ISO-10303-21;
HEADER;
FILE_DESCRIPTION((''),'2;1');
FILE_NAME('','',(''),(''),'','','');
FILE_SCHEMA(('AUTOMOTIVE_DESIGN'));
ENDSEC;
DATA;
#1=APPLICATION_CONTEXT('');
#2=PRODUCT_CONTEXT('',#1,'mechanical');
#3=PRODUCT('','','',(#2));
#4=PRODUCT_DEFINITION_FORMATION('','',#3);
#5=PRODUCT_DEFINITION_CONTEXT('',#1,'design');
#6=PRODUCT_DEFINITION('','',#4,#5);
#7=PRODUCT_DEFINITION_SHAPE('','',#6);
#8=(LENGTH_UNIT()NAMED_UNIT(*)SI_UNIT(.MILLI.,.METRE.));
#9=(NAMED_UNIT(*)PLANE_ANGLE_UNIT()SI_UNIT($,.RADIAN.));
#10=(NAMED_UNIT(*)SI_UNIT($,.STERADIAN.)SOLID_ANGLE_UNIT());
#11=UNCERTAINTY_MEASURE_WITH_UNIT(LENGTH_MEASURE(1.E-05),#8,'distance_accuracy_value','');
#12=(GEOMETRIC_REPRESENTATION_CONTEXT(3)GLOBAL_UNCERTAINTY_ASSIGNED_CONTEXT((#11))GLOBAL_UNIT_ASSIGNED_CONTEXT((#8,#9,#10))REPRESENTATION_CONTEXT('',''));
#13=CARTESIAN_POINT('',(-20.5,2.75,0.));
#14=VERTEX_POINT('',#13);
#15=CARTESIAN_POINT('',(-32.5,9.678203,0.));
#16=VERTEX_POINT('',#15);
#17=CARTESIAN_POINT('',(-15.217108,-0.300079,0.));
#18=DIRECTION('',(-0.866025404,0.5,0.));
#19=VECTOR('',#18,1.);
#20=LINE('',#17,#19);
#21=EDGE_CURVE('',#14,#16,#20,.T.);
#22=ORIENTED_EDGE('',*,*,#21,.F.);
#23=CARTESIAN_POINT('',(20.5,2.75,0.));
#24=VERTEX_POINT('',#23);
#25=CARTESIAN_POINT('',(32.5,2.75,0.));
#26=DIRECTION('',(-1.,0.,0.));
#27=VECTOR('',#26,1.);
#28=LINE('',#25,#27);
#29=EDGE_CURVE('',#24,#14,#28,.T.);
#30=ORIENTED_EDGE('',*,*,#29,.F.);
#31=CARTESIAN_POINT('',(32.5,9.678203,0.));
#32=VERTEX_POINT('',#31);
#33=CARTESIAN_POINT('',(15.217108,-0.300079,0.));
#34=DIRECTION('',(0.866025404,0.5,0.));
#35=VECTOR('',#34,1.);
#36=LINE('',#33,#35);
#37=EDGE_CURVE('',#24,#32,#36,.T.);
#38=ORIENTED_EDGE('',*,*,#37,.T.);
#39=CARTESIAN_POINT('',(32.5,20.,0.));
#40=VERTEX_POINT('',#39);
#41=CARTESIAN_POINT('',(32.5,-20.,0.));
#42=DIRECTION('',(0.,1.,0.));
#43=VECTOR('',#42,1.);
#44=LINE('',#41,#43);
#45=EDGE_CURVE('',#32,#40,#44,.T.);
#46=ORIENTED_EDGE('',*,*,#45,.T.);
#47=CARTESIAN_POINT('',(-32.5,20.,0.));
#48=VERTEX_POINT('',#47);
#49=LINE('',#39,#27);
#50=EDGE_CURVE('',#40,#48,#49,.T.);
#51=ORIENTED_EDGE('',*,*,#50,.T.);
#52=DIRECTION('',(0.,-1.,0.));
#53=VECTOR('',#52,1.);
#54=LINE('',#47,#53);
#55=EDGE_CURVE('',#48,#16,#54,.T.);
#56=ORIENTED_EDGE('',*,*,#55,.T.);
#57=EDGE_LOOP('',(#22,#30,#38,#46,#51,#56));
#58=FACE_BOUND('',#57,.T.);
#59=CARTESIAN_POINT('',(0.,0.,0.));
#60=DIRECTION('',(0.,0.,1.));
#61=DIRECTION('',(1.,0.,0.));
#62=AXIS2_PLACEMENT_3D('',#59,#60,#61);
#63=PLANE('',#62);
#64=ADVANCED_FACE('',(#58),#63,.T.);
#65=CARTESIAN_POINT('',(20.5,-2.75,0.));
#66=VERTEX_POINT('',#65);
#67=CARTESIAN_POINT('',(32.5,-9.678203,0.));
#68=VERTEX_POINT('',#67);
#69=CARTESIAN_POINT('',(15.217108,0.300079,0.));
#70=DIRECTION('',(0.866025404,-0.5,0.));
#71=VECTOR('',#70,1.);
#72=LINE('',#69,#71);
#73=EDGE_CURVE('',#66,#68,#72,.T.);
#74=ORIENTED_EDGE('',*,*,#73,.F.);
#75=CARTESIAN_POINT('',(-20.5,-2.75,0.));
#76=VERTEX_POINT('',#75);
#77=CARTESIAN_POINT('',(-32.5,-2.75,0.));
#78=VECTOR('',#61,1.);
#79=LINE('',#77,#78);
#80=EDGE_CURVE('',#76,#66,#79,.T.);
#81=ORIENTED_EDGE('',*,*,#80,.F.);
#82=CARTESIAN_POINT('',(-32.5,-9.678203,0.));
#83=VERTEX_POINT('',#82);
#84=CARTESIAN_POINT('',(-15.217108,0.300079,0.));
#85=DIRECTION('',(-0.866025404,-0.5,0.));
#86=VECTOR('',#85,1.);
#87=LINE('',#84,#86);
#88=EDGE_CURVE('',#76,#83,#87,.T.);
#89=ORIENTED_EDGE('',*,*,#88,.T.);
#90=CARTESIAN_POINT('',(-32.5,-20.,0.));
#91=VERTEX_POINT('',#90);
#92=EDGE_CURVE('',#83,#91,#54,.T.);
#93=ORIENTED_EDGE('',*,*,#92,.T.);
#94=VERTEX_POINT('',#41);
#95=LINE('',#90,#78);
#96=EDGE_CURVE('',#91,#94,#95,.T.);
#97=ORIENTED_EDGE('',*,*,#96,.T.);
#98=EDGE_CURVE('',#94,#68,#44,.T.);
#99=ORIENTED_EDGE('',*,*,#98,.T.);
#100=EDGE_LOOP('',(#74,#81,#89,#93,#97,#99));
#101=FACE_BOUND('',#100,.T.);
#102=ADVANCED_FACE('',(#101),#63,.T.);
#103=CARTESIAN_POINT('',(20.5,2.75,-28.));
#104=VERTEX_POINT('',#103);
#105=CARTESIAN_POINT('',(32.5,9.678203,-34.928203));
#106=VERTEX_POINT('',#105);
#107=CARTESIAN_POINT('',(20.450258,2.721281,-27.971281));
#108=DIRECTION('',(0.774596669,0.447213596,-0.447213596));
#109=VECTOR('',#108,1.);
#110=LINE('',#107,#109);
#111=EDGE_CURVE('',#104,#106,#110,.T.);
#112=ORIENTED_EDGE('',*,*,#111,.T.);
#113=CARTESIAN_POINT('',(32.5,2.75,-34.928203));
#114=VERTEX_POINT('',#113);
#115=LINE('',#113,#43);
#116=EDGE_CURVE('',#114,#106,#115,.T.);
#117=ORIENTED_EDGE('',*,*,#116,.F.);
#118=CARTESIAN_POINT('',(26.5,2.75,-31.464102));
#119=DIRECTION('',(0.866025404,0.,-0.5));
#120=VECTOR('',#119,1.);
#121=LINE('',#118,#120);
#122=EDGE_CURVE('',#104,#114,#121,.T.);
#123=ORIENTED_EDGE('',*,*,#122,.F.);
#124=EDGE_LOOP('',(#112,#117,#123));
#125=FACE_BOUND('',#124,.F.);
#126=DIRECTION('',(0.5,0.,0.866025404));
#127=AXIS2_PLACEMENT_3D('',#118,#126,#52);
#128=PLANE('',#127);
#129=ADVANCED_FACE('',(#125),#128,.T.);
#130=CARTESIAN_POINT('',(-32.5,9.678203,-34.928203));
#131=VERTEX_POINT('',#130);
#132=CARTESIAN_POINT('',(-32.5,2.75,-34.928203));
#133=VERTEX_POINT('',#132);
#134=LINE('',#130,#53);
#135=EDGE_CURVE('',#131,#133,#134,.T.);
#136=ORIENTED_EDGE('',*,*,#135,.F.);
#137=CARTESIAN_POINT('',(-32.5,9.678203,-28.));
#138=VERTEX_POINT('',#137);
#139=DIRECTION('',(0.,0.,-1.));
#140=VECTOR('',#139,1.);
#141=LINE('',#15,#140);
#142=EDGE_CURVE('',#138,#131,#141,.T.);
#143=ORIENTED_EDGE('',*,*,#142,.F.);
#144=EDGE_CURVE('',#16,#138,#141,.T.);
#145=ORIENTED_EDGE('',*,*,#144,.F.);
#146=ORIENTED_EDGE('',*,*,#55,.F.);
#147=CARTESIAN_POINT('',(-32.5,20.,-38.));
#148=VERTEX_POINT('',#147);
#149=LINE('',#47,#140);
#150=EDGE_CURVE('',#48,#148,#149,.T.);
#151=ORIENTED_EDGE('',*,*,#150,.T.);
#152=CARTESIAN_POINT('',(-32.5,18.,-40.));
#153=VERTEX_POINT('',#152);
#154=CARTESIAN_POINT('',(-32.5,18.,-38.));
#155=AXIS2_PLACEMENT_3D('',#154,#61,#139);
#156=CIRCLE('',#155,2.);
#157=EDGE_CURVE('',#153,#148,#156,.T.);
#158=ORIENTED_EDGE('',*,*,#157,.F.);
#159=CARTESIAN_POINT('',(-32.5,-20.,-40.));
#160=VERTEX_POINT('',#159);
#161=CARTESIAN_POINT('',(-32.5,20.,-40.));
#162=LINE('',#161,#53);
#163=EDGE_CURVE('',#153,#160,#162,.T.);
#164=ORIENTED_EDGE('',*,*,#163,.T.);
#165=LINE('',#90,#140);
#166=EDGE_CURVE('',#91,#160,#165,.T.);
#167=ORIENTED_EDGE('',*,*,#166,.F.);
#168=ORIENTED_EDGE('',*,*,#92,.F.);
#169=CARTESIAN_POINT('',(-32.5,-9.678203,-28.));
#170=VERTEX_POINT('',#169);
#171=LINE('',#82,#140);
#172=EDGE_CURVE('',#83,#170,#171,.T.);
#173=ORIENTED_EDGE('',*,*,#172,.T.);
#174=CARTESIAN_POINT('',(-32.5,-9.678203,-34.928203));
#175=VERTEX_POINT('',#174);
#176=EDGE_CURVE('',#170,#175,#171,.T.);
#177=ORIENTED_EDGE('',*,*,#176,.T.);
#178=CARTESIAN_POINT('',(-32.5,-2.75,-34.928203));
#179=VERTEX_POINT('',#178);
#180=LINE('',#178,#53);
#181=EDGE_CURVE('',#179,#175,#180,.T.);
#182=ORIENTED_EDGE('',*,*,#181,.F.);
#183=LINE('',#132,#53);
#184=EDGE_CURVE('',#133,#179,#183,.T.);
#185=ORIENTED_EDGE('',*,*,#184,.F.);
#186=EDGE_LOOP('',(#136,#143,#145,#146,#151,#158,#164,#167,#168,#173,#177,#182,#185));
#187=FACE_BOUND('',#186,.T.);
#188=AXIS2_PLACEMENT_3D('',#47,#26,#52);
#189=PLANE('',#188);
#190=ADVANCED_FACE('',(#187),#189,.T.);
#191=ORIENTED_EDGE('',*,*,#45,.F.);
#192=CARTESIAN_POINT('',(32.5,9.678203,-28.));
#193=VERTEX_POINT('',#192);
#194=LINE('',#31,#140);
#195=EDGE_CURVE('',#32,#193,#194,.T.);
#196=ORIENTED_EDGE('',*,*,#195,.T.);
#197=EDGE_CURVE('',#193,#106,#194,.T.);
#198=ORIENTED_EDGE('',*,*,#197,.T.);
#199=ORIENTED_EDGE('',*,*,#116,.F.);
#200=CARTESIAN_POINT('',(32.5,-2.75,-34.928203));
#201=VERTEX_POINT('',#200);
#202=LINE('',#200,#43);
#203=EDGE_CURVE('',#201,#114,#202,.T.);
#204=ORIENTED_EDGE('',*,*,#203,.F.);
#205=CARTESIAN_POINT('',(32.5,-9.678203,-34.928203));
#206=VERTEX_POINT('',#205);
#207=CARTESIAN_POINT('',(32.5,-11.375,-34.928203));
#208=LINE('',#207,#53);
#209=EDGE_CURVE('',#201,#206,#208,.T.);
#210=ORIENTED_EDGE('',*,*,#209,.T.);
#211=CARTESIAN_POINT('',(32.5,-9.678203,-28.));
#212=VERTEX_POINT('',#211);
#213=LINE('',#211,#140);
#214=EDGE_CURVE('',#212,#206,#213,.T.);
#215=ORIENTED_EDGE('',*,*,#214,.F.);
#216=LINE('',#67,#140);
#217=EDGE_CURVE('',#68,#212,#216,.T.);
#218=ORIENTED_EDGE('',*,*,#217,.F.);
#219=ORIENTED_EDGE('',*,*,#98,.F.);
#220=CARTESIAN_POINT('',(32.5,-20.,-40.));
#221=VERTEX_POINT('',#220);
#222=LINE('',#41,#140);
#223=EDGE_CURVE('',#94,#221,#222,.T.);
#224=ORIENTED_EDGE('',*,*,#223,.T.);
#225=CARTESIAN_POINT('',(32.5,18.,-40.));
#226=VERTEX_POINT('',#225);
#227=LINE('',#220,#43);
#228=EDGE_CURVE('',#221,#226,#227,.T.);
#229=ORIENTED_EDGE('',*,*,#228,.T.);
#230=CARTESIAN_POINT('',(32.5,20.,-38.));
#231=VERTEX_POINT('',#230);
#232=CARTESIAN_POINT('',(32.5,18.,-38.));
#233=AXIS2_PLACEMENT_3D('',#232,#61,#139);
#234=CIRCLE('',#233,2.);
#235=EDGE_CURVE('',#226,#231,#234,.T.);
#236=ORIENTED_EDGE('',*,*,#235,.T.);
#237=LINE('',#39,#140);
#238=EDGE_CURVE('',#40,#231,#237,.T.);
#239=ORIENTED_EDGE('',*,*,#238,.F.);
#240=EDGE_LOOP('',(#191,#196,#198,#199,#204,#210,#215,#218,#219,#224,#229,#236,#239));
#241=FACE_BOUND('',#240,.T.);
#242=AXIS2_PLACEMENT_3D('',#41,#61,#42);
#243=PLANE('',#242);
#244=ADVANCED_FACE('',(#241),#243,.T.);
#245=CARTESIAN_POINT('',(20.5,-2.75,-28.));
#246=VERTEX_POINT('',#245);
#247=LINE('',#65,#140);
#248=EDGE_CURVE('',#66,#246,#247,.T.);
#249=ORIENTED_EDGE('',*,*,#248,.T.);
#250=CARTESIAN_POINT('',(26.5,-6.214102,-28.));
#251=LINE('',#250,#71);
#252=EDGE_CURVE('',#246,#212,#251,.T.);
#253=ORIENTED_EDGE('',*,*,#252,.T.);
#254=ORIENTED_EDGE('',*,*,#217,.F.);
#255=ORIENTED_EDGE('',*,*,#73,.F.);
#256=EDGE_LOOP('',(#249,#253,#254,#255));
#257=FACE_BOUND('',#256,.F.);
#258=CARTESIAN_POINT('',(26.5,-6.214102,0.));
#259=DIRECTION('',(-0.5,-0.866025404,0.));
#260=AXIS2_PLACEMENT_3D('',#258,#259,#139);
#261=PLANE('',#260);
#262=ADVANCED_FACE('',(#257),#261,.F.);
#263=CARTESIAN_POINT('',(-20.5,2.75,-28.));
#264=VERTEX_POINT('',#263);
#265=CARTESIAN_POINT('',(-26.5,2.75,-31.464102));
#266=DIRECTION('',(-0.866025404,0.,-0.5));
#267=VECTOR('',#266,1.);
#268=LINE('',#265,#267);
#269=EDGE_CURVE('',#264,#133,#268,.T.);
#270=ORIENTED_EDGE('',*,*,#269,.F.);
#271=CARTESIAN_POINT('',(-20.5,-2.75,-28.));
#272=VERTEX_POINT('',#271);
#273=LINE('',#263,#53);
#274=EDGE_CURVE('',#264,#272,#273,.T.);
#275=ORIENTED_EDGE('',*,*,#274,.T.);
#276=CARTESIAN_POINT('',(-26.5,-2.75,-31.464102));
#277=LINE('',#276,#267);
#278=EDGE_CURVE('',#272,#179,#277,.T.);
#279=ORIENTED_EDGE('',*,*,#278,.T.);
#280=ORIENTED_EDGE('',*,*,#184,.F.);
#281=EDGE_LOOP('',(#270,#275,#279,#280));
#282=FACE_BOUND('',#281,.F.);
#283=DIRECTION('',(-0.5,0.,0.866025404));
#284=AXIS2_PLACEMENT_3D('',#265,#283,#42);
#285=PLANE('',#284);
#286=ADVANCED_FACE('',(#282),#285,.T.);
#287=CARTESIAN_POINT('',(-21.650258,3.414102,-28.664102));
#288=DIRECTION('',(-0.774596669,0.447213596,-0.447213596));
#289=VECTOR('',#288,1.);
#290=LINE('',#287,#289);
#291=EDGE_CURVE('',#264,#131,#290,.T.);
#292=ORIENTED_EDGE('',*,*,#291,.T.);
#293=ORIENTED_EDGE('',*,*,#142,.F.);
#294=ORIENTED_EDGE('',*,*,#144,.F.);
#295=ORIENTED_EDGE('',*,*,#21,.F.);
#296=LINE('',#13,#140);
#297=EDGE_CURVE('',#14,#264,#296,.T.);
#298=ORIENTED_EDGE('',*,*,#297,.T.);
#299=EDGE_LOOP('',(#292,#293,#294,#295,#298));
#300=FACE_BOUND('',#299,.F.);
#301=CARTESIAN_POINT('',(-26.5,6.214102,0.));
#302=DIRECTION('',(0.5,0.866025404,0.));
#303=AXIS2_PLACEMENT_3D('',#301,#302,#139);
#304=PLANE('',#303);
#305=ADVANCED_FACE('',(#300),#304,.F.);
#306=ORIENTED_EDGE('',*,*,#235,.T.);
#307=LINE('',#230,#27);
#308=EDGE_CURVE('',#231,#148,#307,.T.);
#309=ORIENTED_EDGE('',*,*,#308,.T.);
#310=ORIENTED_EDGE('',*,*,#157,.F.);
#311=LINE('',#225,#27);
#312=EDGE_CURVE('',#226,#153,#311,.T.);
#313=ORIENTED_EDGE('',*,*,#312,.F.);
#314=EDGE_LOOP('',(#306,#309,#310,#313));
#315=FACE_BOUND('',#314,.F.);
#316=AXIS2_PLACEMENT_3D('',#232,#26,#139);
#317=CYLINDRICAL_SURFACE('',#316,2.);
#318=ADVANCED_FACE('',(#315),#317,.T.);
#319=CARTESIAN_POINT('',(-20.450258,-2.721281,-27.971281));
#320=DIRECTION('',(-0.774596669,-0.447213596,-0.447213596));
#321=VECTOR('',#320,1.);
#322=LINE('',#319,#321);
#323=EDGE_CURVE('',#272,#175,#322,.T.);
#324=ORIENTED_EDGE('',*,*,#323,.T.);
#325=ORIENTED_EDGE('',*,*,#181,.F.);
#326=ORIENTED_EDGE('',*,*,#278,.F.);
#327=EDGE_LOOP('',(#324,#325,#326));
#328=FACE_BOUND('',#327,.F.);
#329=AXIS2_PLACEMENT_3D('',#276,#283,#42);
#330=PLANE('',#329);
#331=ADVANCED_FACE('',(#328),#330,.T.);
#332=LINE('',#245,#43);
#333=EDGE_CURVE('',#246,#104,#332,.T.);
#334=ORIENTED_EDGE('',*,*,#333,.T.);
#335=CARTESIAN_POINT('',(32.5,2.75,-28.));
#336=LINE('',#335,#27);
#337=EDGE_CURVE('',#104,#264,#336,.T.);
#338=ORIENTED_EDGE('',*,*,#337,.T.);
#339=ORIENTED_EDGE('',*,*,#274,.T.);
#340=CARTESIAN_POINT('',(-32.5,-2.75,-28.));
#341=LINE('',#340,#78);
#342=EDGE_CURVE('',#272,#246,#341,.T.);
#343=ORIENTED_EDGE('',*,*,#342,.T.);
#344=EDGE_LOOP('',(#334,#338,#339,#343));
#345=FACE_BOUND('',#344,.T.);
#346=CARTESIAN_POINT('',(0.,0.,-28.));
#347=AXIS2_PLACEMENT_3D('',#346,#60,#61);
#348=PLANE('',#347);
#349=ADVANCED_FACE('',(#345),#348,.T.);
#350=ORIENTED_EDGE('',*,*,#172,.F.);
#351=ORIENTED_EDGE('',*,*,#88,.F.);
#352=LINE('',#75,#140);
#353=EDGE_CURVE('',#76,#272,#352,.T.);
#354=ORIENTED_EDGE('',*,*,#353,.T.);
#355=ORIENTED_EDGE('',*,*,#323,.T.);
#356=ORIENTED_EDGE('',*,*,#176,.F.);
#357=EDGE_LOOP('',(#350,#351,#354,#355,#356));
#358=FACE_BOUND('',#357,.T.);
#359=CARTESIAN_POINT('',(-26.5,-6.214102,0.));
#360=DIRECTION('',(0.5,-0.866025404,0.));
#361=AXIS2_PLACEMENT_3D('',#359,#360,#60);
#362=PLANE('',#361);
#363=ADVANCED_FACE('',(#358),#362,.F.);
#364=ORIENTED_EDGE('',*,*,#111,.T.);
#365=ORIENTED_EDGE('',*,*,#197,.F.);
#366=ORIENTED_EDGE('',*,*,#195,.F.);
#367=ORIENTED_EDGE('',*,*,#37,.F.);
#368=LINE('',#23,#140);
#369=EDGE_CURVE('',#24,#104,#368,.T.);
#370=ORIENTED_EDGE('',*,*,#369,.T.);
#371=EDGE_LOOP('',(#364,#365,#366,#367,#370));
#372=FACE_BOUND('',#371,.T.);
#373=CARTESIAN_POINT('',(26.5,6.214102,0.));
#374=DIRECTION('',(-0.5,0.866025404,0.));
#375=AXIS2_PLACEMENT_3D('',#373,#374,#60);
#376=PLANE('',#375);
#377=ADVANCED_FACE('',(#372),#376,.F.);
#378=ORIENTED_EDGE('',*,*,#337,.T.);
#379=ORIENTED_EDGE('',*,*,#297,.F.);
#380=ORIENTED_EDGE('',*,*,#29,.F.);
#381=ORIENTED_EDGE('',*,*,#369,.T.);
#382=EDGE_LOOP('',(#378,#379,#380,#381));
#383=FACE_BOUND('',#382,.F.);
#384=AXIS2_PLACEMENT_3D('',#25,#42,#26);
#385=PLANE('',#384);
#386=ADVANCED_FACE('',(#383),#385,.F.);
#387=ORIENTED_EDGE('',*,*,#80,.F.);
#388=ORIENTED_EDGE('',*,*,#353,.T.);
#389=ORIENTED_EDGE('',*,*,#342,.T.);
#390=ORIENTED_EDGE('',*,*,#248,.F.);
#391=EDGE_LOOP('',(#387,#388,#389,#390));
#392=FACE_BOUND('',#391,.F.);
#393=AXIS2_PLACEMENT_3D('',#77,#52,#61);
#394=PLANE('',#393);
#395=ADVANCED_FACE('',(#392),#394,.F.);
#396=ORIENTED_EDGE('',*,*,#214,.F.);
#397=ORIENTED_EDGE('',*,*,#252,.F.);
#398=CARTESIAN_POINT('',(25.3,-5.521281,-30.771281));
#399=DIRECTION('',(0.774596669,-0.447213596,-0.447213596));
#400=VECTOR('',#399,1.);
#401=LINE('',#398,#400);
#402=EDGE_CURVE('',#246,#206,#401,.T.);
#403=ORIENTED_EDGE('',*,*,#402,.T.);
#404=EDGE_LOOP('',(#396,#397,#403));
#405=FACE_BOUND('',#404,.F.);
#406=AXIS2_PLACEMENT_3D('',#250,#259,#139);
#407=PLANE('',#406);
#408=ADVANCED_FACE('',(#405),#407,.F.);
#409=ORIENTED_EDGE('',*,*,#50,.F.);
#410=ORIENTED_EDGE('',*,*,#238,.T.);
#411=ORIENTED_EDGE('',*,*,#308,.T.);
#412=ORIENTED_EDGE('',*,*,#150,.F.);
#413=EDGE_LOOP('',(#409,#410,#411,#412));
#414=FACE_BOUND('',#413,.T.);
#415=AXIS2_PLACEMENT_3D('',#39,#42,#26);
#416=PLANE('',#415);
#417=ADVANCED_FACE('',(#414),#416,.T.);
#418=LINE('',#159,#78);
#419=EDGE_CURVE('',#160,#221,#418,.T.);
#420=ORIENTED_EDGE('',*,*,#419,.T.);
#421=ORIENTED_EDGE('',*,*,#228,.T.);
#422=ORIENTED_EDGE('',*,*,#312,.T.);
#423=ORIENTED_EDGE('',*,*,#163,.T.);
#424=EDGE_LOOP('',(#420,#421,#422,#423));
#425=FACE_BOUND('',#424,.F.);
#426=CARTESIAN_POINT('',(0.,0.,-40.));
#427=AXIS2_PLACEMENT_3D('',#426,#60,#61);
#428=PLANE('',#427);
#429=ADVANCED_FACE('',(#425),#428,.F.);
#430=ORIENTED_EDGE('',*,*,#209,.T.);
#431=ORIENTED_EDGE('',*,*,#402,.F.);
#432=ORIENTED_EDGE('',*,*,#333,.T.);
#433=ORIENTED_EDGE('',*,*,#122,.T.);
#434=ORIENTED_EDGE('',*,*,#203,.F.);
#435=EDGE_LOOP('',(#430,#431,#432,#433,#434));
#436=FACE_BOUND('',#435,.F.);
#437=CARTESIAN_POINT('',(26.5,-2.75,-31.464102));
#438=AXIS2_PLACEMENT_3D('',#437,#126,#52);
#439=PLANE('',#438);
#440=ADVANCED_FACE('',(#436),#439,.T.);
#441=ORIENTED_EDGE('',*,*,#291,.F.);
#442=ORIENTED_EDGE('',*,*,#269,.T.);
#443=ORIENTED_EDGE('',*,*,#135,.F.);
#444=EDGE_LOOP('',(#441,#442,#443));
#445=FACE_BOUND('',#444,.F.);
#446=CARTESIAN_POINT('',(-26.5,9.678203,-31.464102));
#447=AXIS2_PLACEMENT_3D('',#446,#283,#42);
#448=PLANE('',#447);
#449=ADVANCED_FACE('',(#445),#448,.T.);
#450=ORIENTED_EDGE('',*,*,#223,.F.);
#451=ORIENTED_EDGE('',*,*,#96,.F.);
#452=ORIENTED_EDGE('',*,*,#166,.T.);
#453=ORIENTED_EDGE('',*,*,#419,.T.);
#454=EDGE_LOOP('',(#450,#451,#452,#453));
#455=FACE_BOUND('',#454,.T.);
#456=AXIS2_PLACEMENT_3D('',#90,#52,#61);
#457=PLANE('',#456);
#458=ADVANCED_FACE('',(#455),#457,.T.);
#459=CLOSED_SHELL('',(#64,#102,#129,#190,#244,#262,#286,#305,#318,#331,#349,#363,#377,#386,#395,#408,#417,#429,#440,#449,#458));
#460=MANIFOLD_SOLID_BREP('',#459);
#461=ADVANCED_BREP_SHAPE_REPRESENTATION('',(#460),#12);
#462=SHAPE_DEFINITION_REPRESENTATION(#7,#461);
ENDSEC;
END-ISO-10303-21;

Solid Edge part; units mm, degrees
sketch "Sketch1" plane through (0, 0, 0) normal (0, 0, 1) x (1, 0, 0)
  line L0 (-32.5, -20) -> (32.5, -20)
  line L1 (32.5, -20) -> (32.5, 20)
  line L2 (32.5, 20) -> (-32.5, 20)
  line L3 (-32.5, 20) -> (-32.5, -20)
extrude "Protrusion1" add sketch "Sketch1" against normal blind 40
sketch "Sketch2" plane through (0, 0, 0) normal (0, 0, 1) x (1, 0, 0)
  line L0 (-32.5, -2.75) -> (32.5, -2.75)
  line L1 (32.5, -2.75) -> (32.5, 2.75)
  line L2 (32.5, 2.75) -> (-32.5, 2.75)
  line L3 (-32.5, 2.75) -> (-32.5, -2.75)
extrude "ExtrudedCutout_1" cut sketch "Sketch2" against normal blind 28
fillet "Round_1" radius 2 1 edges at (0, 20, -40)
chamfer "Chamfer_6" distance 12 angle 30 1 edges at (32.5, 2.75, -14) measured on face at (22.3167, 2.75, -23.0533)
chamfer "Chamfer_7" distance 12 angle 30 1 edges at (32.5, 3.4641, -28) measured on face at (-22.3167, -0.5544, -28)
chamfer "Chamfer_8" distance 12 angle 30 1 edges at (32.5, -2.75, -17.4641) measured on face at (-22.3167, -2.75, -17.1148)
chamfer "Chamfer_9" distance 12 angle 30 1 edges at (-32.5, -2.75, -14) measured on face at (-24.1967, -2.75, -23.0533)
chamfer "Chamfer_10" distance 12 angle 30 1 edges at (-32.5, 2.75, -14) measured on face at (12.1967, 2.75, -23.0533)
chamfer "Chamfer_11" distance 12 angle 30 1 edges at (-32.5, 0, -28) measured on face at (-24.1967, 0.1936, -28)
